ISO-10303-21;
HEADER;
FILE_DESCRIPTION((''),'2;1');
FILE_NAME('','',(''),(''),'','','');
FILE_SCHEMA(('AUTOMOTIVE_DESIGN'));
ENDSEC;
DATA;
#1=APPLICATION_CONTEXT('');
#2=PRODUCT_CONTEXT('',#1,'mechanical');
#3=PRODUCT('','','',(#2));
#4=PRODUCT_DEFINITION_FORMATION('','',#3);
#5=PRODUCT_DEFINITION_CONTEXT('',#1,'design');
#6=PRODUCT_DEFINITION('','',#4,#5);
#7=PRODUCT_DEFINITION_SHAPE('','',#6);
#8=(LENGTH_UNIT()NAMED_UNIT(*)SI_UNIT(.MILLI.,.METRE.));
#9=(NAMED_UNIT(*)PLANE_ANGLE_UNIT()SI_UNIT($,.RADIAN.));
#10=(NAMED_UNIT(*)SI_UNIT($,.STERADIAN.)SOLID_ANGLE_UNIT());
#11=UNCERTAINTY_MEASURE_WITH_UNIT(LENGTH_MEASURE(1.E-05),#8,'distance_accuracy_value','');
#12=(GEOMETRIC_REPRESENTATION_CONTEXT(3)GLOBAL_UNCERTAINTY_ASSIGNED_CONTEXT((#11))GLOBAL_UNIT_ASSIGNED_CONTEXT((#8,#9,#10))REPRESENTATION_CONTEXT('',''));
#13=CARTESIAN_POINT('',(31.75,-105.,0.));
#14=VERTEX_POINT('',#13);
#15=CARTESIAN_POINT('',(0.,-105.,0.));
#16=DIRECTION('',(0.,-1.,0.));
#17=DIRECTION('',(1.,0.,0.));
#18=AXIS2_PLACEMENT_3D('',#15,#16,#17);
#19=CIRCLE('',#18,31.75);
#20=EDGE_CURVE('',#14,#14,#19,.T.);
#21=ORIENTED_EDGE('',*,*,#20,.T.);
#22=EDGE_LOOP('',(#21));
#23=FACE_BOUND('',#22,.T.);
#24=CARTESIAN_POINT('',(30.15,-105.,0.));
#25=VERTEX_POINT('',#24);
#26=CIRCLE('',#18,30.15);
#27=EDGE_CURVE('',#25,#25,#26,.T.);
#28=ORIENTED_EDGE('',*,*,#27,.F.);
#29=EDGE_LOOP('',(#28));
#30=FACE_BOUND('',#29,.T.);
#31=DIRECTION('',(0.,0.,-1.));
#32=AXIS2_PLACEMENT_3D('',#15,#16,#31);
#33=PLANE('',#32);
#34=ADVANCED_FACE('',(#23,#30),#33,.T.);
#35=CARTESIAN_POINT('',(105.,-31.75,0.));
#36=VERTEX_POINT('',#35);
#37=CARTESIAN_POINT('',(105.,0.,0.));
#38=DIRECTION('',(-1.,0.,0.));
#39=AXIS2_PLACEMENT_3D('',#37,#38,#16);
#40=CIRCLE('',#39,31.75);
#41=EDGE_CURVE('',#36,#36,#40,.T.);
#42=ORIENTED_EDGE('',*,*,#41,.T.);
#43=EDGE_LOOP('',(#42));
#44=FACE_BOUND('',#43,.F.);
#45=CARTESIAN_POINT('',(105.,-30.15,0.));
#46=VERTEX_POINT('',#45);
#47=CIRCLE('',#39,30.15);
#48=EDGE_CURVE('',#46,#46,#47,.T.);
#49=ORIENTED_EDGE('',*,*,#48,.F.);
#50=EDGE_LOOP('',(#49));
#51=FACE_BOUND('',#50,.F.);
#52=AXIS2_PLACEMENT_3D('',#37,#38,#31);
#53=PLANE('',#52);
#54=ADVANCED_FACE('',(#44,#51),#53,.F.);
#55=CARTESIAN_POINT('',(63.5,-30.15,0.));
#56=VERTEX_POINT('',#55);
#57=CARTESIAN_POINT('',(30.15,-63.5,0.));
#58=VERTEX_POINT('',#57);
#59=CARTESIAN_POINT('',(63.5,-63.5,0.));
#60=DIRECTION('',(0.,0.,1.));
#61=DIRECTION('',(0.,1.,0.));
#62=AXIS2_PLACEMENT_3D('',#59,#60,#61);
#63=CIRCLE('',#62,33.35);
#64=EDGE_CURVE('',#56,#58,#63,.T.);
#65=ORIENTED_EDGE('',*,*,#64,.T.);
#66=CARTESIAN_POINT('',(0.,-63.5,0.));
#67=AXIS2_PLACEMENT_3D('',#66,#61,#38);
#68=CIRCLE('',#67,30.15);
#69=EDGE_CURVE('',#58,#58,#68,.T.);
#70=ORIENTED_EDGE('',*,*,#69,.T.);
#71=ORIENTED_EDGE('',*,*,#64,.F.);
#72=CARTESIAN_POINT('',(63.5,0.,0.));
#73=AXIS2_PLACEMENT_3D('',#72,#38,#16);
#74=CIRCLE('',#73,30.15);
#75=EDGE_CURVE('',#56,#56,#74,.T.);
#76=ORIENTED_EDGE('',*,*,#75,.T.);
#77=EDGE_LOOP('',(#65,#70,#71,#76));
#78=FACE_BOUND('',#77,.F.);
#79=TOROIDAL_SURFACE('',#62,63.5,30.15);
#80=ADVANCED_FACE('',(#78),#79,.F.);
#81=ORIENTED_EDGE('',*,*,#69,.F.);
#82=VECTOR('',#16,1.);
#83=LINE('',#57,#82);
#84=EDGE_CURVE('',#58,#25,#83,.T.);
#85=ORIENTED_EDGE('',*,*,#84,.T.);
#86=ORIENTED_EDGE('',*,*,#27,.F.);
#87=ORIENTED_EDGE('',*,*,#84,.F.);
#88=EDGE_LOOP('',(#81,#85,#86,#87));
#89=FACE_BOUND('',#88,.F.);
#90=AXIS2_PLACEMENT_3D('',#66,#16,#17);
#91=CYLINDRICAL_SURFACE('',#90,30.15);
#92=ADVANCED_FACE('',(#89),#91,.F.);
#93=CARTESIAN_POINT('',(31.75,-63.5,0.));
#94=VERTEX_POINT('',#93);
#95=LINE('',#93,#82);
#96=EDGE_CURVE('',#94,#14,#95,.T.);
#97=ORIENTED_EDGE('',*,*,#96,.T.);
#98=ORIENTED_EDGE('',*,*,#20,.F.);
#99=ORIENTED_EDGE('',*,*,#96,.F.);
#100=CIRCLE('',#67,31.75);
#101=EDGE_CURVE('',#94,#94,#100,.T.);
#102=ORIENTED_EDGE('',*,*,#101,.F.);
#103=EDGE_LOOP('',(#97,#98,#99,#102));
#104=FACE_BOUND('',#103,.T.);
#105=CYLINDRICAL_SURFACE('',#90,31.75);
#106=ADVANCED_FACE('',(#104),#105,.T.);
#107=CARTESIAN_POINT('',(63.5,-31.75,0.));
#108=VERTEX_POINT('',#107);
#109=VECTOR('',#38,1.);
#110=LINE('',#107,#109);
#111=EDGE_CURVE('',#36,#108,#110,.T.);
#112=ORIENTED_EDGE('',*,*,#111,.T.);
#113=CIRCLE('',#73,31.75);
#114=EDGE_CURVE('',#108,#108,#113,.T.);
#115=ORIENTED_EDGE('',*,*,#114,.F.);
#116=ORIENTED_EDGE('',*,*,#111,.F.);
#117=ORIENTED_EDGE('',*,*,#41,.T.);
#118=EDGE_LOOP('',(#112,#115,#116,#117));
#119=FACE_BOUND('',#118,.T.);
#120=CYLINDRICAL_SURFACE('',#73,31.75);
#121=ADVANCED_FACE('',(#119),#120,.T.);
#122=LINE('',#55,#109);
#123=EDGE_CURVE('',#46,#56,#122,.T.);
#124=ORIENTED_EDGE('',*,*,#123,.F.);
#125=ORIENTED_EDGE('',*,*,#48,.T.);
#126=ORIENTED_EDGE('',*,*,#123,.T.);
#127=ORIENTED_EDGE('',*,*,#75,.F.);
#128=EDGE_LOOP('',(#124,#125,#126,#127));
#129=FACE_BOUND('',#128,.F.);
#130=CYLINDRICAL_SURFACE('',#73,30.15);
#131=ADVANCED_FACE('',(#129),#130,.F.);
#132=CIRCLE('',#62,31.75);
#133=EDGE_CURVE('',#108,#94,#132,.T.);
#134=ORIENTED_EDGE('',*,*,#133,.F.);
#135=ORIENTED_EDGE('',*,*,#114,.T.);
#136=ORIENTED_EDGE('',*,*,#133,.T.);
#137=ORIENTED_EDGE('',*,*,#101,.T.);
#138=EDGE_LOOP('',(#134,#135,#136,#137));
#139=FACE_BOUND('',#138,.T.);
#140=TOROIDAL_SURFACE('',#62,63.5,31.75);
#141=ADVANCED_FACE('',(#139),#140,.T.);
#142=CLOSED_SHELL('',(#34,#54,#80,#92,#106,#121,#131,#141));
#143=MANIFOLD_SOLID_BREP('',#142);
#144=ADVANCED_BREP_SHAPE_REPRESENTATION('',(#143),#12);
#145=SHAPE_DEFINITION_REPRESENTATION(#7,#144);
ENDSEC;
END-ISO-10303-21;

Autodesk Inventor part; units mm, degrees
ref_plane "YZ Plane" through (0, 0, 0) normal (1, 0, 0) x (0, 1, 0)
ref_plane "XZ Plane" through (0, 0, 0) normal (0, 1, 0) x (-1, 0, 0)
sketch "Szkic6" plane through (0, 0, 0) normal (0, 0, 1) x (1, 0, 0)
  line L0 (-29.6067, 0) -> (35.2678, 0) construction
  line L1 (0, 42.3419) -> (0, -58.3726) construction
  arc A0 (63.5, 0) -> (0, -63.5) centre (63.5, -63.5) ccw
  line L2 (0, -63.5) -> (63.5, -63.5) construction
  line L3 (63.5, -63.5) -> (63.5, 2.0331) construction
  line L4 (63.5, 0) -> (105, 0)
  line L5 (0, -63.5) -> (0, -105)
  point P0 (0, 0)
  dimension "d24" = 63.5
  dimension "d31" = 90
  dimension "d36" = 41.5
  dimension "d37" = 41.5
ref_plane "Płaszczyzna konstrukcyjna2" through (0, -63.5, 0) normal (0, -1, 0) x (1, 0, 0)
sketch "Szkic8" plane through (0, -63.5, 0) normal (0, -1, 0) x (1, 0, 0)
  circle A0 centre (0, 0) radius 31.75
  circle A1 centre (0, 0) radius 30.15
  dimension "d32" = 63.5
  dimension "d33" = 1.6
sweep "Przeciągnięcie2" add profiles "Szkic8" path "Szkic6"
equation "\"d32\" = OD"
equation "\"d33\" = THK"
equation "\"d24\" = R"
equation "\"d31\" = KAT"
equation "\"d36\" = PROSTKA"
equation "\"d37\" = PROSTKA"
equation "\"SzerokośćGięciaPodcięcia\" = Grubość"
equation "\"RozmiarPodcięciaNarożnika\" = 4 * Grubość"
equation "\"PromieńPrzejścia\" = PromieńGięcia"
equation "\"Rozmiar_promienia_Jacobiego\" = PromieńGięcia"
equation "\"Wielk_odstępu\" = Grubość"
equation "\"d2\" = PromieńGięcia"
equation "\"d23\" = PromieńGięcia"
equation "\"R\" = 63.5"
equation "\"OD\" = 63.5"
equation "\"THK\" = 1.6"
equation "\"KAT\" = 90deg"
equation "\"PROSTKA\" = 41.5"
equation "\"Grubość\" = 1.5"
equation "\"PromieńGięcia\" = 3"
properties part number "Kolano 90° ø63,5x1,6 R63,5" material "304L"
